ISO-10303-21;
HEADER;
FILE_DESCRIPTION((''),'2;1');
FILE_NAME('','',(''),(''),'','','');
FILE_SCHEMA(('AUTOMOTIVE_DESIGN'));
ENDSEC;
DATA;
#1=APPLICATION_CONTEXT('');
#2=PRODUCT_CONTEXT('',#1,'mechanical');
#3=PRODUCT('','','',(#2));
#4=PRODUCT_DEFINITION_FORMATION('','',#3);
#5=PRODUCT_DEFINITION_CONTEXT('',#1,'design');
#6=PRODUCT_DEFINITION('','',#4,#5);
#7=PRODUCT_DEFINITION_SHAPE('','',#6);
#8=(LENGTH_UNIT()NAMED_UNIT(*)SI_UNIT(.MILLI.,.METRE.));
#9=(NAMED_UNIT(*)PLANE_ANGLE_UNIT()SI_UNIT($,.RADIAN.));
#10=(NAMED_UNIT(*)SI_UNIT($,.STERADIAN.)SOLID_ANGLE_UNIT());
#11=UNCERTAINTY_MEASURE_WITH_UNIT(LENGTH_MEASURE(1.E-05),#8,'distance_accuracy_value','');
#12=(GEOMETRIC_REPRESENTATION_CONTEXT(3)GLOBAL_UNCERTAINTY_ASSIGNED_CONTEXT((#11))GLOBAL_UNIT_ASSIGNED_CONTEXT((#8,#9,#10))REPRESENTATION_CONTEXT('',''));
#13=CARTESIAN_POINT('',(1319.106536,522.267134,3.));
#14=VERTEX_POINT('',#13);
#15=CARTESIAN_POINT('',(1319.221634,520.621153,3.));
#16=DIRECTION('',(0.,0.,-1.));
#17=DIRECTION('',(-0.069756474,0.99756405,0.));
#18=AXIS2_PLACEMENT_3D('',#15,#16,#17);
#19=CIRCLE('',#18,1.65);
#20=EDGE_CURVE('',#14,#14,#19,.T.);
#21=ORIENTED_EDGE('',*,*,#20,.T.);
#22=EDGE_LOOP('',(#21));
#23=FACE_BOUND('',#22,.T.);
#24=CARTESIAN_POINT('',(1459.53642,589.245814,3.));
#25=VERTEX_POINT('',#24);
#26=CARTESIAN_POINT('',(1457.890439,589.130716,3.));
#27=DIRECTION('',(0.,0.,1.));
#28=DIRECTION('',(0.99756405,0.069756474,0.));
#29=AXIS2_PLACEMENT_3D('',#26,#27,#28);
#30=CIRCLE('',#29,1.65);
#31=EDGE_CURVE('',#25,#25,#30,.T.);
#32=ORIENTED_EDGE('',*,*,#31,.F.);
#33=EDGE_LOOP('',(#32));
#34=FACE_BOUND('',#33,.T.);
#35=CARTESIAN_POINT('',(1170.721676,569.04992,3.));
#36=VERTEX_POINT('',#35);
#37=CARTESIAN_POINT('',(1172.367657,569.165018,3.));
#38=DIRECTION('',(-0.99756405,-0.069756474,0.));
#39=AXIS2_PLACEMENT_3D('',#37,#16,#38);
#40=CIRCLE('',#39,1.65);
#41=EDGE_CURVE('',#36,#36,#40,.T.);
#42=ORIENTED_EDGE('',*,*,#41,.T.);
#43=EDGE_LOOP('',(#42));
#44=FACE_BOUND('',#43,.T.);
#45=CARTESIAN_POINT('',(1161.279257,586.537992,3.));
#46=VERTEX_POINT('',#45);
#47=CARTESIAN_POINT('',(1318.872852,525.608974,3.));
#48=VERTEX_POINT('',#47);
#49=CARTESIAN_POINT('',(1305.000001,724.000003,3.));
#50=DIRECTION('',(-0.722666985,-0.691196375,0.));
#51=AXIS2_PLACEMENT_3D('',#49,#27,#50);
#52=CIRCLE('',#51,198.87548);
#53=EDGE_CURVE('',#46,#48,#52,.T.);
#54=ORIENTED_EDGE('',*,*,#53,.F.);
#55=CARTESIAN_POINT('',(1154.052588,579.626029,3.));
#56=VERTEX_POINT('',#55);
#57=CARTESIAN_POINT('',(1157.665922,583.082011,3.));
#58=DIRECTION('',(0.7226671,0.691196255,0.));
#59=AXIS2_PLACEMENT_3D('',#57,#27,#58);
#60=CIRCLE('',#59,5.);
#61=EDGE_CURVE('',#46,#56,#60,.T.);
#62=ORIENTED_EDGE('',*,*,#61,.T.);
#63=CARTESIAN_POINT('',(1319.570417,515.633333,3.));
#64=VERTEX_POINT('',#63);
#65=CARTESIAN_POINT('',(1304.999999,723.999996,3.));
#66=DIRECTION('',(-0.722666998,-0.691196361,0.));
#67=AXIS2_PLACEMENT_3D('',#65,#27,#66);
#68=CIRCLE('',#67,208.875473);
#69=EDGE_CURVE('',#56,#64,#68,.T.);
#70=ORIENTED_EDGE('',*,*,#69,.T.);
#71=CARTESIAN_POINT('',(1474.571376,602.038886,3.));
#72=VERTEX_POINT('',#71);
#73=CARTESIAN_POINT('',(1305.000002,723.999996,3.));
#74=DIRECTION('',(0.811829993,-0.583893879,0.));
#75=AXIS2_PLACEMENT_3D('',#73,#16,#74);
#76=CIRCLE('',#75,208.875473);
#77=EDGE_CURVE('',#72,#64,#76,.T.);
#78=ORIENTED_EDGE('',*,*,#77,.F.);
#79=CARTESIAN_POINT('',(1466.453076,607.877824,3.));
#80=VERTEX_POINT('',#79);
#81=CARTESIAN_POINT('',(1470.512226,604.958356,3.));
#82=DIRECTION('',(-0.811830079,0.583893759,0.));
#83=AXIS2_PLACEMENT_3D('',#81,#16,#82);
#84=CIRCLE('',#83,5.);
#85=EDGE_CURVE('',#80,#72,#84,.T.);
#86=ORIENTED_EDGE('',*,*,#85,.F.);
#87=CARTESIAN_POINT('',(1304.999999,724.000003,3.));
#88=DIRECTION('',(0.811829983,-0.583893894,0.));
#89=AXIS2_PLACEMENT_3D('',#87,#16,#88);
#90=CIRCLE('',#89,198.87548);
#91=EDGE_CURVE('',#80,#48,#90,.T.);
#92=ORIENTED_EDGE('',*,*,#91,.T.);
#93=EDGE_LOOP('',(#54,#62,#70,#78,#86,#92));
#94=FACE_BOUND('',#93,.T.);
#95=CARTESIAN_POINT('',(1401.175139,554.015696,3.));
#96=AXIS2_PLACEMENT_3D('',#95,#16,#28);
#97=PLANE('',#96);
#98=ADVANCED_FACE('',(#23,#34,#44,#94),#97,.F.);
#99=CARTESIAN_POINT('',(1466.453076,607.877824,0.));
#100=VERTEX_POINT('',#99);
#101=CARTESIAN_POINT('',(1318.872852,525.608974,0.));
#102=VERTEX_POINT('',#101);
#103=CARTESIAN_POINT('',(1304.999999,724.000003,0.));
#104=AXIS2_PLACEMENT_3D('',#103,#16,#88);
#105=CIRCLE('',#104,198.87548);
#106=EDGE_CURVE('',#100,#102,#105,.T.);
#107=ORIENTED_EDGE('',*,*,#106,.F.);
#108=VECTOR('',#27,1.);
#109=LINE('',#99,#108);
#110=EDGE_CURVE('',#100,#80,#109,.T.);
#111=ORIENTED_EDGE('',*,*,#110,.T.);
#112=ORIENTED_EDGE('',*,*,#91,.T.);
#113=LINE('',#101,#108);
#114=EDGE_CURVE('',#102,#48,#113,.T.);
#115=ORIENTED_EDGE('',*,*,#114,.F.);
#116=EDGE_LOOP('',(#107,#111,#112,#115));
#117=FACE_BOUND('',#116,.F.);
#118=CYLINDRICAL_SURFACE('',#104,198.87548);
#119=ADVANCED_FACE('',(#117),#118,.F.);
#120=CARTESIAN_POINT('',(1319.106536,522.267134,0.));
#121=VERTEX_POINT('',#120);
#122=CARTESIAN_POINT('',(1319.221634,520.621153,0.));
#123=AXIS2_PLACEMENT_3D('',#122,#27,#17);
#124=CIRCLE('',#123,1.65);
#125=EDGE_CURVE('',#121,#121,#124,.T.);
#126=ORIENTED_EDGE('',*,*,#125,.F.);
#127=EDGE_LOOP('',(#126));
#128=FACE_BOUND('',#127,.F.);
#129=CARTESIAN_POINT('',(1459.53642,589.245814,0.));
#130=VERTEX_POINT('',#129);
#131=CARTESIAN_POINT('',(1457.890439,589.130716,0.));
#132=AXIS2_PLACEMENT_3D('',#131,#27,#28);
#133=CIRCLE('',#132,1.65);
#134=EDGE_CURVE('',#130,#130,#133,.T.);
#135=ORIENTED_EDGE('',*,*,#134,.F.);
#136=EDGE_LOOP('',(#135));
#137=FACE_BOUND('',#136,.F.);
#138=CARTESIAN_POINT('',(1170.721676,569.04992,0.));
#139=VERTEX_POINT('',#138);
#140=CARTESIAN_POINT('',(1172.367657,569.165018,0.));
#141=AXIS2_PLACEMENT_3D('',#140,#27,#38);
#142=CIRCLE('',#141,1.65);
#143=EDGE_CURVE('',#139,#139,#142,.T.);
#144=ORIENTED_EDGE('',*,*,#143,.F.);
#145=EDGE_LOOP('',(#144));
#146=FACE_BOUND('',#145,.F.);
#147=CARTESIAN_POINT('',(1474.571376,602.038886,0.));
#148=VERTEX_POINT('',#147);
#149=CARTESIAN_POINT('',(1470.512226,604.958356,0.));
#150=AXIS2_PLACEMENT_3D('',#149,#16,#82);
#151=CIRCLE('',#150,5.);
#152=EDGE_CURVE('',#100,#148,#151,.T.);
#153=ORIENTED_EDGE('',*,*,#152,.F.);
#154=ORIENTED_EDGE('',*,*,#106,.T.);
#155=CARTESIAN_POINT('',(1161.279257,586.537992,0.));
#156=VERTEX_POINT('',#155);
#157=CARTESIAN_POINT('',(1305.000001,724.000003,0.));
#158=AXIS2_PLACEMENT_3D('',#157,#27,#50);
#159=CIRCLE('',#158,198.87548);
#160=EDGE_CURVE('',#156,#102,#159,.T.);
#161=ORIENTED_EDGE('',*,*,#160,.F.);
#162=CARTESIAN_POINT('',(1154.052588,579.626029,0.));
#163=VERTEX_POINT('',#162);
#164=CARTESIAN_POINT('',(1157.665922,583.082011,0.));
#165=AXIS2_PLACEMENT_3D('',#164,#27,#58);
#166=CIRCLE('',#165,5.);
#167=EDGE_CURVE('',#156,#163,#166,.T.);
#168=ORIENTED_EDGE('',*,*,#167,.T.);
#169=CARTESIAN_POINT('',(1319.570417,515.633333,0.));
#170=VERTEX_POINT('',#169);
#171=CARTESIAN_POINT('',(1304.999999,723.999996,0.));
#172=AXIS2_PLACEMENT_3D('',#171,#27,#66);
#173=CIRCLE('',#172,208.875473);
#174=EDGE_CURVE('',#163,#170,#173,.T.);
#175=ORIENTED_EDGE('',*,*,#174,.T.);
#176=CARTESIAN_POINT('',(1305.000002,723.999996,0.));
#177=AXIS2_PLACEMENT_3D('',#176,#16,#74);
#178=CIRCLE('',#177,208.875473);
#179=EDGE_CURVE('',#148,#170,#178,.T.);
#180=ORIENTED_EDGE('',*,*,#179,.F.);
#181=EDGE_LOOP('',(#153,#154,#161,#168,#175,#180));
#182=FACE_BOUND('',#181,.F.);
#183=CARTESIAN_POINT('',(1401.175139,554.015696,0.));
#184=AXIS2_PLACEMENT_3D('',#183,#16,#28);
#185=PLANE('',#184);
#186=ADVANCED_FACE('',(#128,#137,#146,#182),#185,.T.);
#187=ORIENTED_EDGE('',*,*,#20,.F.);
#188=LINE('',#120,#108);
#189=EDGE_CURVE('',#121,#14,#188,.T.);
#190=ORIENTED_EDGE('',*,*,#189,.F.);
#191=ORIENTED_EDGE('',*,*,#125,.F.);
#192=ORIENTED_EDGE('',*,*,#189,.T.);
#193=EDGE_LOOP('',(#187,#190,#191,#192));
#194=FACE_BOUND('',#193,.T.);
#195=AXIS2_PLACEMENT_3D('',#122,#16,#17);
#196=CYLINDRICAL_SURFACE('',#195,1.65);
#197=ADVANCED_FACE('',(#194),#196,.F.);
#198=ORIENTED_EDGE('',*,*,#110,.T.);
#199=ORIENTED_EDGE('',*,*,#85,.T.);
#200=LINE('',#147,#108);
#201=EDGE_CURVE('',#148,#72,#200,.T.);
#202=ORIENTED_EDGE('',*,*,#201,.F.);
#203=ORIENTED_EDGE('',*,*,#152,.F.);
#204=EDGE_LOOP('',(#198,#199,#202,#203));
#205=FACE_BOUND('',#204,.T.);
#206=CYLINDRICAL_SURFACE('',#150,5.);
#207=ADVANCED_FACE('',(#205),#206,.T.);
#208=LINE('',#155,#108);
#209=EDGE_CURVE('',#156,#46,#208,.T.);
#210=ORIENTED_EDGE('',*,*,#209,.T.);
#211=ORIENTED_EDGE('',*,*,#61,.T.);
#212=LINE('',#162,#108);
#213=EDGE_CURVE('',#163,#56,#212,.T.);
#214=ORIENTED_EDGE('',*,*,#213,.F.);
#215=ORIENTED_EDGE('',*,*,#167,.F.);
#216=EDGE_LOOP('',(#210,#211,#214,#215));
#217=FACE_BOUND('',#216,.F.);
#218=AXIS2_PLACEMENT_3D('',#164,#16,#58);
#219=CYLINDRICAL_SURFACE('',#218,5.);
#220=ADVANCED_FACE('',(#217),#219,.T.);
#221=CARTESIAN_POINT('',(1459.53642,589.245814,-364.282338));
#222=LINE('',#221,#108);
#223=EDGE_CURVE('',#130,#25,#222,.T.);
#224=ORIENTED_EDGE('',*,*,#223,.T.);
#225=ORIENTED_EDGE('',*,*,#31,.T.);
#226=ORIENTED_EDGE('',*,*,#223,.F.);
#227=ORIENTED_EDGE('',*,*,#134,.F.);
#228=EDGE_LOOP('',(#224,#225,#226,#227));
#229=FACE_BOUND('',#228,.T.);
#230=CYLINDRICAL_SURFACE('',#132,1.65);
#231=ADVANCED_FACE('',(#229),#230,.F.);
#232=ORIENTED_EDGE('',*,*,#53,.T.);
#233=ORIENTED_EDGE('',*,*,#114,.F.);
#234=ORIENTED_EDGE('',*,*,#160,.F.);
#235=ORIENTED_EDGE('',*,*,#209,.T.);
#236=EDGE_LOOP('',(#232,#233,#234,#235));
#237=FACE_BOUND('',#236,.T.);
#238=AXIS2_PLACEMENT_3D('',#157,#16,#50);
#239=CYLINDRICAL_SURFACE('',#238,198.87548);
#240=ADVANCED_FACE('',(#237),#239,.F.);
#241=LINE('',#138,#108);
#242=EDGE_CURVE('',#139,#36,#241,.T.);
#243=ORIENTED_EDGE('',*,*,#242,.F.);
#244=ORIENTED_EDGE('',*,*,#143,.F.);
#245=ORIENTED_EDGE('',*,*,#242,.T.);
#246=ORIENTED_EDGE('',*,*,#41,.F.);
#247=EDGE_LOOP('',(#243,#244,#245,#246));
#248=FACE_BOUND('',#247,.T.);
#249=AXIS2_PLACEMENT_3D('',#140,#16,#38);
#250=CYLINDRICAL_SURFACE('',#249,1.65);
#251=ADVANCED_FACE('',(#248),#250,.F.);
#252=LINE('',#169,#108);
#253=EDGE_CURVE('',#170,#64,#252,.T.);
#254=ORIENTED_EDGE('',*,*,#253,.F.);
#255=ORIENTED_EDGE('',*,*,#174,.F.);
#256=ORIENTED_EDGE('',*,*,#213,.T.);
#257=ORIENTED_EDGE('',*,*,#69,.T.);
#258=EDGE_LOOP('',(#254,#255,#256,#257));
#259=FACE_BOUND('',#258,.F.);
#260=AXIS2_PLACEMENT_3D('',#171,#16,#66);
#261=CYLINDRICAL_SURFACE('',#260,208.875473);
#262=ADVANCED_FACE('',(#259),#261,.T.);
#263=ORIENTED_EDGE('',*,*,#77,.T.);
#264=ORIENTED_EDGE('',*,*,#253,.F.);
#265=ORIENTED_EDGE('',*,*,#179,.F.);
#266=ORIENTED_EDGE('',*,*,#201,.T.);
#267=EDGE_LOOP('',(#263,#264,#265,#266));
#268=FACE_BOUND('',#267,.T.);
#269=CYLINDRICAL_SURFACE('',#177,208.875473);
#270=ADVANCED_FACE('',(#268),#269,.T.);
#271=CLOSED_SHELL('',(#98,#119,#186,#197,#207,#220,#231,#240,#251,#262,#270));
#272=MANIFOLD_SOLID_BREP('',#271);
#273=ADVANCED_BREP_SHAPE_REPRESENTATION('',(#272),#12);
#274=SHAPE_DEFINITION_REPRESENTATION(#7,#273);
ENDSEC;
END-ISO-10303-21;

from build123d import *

# Parameters (mm, degrees)
PAD014_DEPTH                        = 3
SKETCH055_R                         = 1.65
POCKET019_DEPTH                     = 364.282338
POCKET019_DEPTH_BACK                = 367.282338
BODY001003005003003_PLACEMENT_ANGLE = 60
CLONE002_PLACEMENT_ANGLE            = 124


with BuildPart() as part:
    # Sketch052 → Pad014 (new body)
    with BuildSketch(Plane.XY):
        with BuildLine():
            ThreePointArc((152.959511, 127.101705), (84.480895, 180.040089), (0, 198.875477))
            Line((0, 198.875477), (0, 208.875477))
            ThreePointArc((160.650731, 133.492724), (88.728824, 189.092995), (0, 208.875477))
            ThreePointArc((152.959511, 127.101705), (160.000631, 126.451604), (160.650731, 133.492724))
        make_face()
    pad014 = extrude(amount=PAD014_DEPTH)

    # Sketch055 → Pocket019 (cut, two sides)
    with BuildSketch(Plane.XY) as pocket019_sk:
        with Locations((143.11, 145.205847)):
            Circle(SKETCH055_R)
        with BuildLine():
            Line((0, 202.225477), (0, 205.525477))
            ThreePointArc((0, 202.225477), (1.65, 203.875477), (0, 205.525477))
        make_face()
    pocket019 = extrude(amount=-POCKET019_DEPTH, mode=Mode.SUBTRACT) + extrude(pocket019_sk.sketch, amount=POCKET019_DEPTH_BACK, mode=Mode.SUBTRACT)

    # Mirrored019: Pad014, Pocket019 across Sketch052 V_Axis
    add(pad014.mirror(Plane(origin=(0, 0, 0), x_dir=(0, 0, 1), z_dir=(1, 0, 0))))
    add(pocket019.mirror(Plane(origin=(0, 0, 0), x_dir=(0, 0, 1), z_dir=(1, 0, 0))), mode=Mode.SUBTRACT)


with BuildPart() as part_1:
    # Body001003005003003 placement: moved
    add(part.part.rotate(Axis((0, 0, 0), (0, 0, 1)), BODY001003005003003_PLACEMENT_ANGLE))


with BuildPart() as part_2:
    # Clone002 placement: moved
    add(part_1.part.moved(Location((1305, 724, 0))).rotate(Axis((1305, 724, 0), (0, 0, 1)), CLONE002_PLACEMENT_ANGLE))


solid = part_2.part
